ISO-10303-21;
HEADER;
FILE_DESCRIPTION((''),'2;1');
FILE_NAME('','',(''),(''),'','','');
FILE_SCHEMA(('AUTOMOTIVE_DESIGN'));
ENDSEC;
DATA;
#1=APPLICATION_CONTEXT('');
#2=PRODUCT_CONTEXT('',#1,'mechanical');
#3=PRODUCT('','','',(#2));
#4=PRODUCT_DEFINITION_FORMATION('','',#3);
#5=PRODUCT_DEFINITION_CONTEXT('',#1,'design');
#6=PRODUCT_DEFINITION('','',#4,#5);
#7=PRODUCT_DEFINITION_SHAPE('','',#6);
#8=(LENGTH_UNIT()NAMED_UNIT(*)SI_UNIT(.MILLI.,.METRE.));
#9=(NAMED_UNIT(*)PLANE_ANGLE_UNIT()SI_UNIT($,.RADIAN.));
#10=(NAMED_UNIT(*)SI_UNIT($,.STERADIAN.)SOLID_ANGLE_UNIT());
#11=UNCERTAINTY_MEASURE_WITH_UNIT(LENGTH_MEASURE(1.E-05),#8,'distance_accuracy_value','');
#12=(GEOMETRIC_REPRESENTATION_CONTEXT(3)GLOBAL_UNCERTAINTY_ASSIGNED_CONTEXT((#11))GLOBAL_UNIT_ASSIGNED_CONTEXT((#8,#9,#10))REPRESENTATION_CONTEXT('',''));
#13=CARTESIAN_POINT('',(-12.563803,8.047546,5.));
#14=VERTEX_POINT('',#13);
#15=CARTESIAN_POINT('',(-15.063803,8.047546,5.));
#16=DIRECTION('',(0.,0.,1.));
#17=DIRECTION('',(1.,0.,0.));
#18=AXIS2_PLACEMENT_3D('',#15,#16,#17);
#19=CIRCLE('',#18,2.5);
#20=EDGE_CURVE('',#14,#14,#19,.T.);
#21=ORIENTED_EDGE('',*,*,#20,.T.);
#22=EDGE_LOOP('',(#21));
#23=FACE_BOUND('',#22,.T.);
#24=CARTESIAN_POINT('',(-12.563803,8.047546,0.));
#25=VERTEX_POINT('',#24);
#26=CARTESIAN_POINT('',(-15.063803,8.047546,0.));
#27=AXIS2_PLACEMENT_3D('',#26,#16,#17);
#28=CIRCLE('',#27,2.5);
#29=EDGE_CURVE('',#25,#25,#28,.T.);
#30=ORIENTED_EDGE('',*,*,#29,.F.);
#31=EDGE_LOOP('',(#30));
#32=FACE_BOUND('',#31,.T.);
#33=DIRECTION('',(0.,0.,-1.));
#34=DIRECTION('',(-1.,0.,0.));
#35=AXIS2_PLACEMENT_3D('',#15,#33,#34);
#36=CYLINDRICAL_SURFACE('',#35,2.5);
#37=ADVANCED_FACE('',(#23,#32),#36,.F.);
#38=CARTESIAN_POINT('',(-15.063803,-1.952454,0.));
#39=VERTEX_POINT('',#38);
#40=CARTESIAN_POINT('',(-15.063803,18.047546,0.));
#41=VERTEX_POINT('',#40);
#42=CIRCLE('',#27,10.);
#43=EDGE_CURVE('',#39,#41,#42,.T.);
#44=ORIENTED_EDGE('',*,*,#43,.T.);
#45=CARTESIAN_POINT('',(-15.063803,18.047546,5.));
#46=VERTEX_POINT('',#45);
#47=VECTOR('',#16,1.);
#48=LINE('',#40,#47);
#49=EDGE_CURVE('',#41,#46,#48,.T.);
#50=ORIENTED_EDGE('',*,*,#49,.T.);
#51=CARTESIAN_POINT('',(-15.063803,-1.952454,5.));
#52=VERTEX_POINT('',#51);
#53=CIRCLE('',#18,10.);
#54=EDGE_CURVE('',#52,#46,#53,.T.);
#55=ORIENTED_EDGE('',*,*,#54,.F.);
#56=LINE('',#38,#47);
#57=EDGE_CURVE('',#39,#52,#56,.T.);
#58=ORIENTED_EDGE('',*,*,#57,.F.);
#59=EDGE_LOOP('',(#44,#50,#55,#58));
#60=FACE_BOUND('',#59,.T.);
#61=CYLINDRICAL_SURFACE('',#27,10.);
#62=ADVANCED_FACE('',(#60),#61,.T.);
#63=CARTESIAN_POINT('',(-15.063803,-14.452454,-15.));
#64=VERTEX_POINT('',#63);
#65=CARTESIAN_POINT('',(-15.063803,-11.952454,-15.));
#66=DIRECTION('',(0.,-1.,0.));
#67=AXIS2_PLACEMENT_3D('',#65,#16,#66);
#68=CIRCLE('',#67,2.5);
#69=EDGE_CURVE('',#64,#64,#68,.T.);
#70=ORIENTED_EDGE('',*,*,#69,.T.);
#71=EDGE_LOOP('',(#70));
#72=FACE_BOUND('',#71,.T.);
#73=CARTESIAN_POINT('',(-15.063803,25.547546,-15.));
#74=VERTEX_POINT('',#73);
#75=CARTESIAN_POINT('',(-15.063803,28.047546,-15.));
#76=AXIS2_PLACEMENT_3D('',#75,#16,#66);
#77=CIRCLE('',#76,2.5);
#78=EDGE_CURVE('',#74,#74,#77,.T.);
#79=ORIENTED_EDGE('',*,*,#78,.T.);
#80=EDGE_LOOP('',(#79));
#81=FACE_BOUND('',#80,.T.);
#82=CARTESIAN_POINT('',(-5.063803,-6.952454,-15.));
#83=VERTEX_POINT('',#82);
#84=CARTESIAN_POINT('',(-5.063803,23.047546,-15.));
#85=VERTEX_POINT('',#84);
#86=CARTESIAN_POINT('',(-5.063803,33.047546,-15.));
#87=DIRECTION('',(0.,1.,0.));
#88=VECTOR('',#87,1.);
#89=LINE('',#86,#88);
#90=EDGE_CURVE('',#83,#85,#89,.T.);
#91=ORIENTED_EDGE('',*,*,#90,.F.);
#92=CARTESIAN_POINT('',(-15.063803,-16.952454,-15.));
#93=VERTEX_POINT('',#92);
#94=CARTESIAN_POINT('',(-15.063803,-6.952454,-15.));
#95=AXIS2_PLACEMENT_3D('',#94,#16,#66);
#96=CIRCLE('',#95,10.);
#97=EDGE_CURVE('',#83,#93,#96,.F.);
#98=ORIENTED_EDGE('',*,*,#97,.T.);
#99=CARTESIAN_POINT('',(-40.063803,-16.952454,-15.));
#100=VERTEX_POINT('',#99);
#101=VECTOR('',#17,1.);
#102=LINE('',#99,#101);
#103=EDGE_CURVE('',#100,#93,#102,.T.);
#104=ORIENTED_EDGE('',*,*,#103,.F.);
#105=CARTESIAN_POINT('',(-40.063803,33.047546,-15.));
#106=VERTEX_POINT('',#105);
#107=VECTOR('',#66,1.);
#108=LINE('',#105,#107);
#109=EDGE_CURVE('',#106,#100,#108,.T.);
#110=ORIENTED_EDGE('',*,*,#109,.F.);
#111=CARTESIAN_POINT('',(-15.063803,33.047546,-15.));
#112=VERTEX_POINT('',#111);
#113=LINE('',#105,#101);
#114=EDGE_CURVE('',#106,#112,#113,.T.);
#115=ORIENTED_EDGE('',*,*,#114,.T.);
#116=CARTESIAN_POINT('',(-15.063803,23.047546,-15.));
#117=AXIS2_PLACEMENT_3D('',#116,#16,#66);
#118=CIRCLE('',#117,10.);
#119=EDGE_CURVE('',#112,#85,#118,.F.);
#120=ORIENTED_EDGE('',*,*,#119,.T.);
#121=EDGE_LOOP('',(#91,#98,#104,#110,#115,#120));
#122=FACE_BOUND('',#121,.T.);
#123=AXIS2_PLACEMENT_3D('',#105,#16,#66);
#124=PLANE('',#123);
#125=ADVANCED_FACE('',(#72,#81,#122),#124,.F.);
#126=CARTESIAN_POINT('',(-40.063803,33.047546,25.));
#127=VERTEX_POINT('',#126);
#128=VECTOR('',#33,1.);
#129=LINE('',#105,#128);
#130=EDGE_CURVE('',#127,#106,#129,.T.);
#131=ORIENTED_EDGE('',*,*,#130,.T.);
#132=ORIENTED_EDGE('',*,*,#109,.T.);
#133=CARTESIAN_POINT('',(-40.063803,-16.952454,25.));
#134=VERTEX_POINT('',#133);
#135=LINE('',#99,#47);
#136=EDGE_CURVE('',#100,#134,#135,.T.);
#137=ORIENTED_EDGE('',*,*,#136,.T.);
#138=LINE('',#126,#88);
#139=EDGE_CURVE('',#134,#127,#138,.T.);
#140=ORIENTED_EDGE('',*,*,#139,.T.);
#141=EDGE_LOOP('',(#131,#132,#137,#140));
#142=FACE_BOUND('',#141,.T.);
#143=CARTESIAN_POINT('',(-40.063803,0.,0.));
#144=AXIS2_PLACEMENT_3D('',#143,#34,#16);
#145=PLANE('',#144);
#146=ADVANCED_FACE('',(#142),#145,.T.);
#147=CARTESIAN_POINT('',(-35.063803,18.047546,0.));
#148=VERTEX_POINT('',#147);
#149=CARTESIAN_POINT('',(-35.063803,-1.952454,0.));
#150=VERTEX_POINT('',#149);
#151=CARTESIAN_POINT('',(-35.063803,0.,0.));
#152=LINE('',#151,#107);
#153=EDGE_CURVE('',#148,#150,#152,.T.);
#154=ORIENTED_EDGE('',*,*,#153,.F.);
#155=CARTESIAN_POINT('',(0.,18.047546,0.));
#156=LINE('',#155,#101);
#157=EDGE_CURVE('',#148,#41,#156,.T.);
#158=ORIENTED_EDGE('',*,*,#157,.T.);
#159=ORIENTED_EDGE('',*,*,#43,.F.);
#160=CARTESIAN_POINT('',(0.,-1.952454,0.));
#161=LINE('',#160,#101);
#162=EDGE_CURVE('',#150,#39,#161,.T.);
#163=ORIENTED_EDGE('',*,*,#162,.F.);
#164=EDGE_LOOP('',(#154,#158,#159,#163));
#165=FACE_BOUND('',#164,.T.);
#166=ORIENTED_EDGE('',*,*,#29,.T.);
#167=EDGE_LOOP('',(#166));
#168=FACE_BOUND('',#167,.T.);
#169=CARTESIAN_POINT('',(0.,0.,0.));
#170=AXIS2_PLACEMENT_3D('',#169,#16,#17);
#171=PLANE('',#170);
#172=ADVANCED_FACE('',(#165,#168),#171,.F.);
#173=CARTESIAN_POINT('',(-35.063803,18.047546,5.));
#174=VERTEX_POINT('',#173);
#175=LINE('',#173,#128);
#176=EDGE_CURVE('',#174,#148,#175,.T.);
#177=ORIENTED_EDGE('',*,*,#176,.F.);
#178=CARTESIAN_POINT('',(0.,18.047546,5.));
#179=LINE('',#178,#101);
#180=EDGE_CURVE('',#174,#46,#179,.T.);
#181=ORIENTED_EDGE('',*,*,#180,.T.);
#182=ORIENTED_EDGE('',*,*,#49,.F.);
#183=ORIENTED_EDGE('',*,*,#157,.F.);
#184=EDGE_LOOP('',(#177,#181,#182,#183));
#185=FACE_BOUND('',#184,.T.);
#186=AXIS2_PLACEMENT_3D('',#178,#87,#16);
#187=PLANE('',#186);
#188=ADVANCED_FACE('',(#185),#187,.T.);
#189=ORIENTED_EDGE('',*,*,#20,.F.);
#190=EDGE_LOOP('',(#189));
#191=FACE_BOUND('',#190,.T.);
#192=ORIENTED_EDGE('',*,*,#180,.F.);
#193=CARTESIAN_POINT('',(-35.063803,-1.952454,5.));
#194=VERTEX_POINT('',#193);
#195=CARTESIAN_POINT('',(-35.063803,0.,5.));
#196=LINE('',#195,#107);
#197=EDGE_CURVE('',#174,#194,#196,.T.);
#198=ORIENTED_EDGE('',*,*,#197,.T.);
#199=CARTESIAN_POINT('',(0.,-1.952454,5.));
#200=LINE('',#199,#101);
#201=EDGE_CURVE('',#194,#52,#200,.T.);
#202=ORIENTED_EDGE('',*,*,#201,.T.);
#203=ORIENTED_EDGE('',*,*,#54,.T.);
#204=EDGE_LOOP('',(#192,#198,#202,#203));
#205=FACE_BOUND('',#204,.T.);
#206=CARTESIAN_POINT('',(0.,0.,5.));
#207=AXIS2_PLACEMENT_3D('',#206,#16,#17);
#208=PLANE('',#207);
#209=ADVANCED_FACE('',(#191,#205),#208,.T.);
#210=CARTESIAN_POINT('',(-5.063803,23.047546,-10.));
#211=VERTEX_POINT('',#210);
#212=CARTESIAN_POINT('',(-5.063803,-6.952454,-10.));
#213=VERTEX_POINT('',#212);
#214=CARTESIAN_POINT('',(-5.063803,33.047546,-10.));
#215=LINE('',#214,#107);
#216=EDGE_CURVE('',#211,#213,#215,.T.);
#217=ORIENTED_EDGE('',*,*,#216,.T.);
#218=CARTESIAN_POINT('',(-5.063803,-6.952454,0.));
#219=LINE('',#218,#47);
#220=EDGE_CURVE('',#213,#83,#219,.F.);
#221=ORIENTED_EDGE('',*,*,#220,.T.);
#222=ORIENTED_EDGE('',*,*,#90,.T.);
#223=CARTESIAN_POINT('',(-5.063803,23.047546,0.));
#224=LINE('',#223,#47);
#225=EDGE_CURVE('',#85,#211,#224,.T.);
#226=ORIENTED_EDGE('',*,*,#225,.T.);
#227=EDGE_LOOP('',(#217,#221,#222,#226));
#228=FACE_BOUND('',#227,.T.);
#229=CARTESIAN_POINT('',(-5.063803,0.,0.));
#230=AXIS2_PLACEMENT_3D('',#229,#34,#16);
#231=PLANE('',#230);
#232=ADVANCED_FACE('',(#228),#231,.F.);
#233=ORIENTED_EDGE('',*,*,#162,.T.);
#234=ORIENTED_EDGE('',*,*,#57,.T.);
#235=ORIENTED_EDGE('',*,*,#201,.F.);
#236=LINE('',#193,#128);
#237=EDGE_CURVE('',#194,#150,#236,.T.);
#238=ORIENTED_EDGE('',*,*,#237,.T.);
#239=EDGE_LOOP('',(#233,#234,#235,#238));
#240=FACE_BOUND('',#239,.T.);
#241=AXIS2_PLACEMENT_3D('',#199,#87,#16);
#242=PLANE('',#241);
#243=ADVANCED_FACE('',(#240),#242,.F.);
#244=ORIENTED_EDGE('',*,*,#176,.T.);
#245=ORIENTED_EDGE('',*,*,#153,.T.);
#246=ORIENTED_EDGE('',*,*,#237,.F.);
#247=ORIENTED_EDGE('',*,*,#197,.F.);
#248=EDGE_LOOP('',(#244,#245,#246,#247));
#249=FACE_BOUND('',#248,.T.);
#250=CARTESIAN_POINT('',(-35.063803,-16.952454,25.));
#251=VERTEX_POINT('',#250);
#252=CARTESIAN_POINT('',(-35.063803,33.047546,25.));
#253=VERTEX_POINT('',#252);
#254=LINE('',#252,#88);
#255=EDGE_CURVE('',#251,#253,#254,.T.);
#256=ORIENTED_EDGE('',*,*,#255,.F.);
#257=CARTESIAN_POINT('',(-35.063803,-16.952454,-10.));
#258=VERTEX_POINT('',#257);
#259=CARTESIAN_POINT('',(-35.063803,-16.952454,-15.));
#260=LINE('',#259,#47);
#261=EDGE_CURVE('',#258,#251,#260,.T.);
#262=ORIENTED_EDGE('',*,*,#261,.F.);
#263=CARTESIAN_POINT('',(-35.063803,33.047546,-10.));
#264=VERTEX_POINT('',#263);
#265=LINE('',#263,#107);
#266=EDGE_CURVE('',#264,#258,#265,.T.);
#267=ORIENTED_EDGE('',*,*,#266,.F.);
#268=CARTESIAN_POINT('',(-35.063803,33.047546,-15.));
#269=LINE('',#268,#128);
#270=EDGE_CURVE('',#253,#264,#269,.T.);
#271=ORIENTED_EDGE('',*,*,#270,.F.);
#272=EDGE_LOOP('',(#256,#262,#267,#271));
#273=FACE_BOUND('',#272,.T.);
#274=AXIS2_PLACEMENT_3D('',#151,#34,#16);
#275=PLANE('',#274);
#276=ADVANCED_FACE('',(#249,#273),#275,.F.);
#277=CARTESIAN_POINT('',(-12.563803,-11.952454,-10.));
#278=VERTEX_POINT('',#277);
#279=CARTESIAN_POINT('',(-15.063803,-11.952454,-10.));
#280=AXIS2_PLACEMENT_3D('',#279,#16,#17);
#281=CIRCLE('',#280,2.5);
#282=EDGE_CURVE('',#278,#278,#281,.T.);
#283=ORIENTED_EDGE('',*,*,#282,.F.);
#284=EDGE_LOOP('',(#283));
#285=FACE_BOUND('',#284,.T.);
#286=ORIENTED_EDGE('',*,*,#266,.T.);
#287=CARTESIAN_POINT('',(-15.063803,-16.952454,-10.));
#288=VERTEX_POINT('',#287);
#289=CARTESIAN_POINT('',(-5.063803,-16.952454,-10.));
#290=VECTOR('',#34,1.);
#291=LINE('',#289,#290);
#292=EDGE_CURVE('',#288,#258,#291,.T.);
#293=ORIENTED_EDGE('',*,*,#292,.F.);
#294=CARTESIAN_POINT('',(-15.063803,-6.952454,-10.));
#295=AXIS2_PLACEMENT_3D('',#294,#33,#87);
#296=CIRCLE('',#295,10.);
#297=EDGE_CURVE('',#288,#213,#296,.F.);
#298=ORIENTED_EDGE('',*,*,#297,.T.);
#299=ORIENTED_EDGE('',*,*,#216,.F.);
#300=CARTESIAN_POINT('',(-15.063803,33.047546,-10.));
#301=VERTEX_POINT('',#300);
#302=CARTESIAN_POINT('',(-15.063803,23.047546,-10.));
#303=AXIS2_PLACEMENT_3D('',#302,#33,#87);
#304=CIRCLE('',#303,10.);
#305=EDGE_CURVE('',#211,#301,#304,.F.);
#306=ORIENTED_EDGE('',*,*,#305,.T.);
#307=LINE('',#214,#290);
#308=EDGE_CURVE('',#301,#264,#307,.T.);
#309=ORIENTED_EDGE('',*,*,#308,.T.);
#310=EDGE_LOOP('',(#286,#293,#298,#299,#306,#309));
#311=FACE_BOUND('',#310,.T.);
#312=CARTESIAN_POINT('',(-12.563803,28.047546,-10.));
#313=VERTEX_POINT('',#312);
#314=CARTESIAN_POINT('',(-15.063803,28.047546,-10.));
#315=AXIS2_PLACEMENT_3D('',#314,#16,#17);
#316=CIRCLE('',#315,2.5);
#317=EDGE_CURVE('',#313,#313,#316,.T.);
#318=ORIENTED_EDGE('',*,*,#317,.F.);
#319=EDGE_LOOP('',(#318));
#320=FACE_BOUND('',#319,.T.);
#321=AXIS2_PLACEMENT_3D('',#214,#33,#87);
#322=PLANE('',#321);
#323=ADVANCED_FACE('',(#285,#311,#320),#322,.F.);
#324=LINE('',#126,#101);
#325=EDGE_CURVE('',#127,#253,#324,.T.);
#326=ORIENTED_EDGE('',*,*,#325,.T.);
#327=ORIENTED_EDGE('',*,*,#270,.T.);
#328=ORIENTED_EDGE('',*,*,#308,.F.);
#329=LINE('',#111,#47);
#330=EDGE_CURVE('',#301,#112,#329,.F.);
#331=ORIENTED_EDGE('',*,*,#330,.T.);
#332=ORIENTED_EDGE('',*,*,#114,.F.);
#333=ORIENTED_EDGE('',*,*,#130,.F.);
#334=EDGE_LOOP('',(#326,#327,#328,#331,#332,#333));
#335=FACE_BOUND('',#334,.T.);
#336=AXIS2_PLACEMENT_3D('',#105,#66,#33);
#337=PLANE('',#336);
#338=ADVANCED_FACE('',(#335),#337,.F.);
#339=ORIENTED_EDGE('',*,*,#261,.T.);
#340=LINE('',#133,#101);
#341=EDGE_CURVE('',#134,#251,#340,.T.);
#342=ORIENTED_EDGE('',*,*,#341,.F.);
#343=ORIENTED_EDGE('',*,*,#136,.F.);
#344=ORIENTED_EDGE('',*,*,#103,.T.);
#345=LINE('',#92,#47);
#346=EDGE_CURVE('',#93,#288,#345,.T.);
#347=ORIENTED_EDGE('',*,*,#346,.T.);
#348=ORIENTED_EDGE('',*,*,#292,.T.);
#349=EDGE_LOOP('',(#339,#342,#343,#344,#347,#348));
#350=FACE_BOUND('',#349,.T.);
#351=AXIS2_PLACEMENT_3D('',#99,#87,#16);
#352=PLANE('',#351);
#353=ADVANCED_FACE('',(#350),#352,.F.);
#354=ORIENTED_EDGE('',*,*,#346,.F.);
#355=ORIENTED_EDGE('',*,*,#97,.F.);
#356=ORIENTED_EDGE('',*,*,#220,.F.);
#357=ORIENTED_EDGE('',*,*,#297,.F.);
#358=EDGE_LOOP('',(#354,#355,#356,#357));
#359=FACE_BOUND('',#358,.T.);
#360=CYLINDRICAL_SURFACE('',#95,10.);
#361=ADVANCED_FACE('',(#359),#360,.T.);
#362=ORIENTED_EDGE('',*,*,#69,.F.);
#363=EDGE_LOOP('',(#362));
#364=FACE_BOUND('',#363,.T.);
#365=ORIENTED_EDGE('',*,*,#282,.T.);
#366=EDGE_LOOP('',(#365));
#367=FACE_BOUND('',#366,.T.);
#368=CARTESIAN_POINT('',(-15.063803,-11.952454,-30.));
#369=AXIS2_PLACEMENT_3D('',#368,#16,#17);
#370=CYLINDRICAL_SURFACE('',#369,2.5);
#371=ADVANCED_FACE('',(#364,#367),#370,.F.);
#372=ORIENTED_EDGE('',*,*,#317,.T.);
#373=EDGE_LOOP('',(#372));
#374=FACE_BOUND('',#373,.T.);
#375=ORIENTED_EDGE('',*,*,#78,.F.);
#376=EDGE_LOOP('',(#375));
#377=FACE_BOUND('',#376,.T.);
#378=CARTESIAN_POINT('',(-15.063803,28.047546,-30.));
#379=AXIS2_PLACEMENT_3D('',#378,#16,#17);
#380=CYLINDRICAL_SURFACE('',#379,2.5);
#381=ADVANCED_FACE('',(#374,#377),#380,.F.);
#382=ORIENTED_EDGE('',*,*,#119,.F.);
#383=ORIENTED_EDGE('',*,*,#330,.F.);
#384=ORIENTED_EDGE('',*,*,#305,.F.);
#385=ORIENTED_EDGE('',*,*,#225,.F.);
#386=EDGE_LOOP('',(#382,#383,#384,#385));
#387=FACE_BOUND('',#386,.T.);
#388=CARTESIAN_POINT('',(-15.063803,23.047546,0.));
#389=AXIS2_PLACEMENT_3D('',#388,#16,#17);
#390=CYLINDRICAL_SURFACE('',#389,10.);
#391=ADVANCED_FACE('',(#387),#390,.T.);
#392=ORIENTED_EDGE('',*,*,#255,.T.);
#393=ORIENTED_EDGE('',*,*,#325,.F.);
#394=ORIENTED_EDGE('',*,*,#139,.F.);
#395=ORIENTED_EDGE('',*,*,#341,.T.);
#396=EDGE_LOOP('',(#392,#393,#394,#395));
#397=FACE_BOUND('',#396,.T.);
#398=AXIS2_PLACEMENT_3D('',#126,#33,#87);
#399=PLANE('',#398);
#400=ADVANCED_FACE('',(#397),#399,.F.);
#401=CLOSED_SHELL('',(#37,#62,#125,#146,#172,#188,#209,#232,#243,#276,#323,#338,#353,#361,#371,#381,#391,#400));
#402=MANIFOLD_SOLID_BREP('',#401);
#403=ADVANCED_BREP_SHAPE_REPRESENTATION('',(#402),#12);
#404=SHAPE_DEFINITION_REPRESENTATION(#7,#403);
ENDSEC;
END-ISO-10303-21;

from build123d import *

# Parameters (mm, degrees)
SKETCH1_R           = 2.5
BOSS_EXTRUDE1_DEPTH = 5
CUT_EXTRUDE1_DEPTH  = 5
SKETCH3_W           = 40
SKETCH3_H           = 50
BOSS_EXTRUDE2_DEPTH = 5
SKETCH4_W           = 5
SKETCH4_H           = 50
BOSS_EXTRUDE3_DEPTH = 30
SKETCH5_R           = 2.5
CUT_EXTRUDE2_DEPTH  = 20
FILLET1_R           = 10
FILLET2_R           = 10


with BuildPart() as part:
    # Sketch1 → Boss-Extrude1 (new body)
    with BuildSketch(Plane.XY):
        Polygon((-5.063803349, -1.952454159), (-5.063803349, 8.047545841), (-5.063803349, 18.047545841), (-35.063803349, 18.047545841), (-35.063803349, -1.952454159), align=None)
        with Locations((-15.063803349, 8.047545841)):
            Circle(SKETCH1_R, mode=Mode.SUBTRACT)
    extrude(amount=BOSS_EXTRUDE1_DEPTH)

    # Sketch2 → Cut-Extrude1 (cut)
    with BuildSketch(Plane.XY.offset(5)):
        with BuildLine():
            ThreePointArc((-15.063803349, 18.047545841), (-7.992735537, 15.118613653), (-5.063803349, 8.047545841))
            Line((-5.063803349, 8.047545841), (-5.063803349, 18.047545841))
            Line((-5.063803349, 18.047545841), (-15.063803349, 18.047545841))
        make_face()
        with BuildLine():
            Line((-5.063803349, -1.952454159), (-5.063803349, 8.047545841))
            ThreePointArc((-5.063803349, 8.047545841), (-7.992735537, 0.976478029), (-15.063803349, -1.952454159))
            Line((-15.063803349, -1.952454159), (-5.063803349, -1.952454159))
        make_face()
    extrude(amount=-CUT_EXTRUDE1_DEPTH, mode=Mode.SUBTRACT)

    # Sketch3 → Boss-Extrude2 (add)
    with BuildSketch(Plane.ZY.offset(35.063803349)):
        with Locations((5, 8.047545841)):
            Rectangle(SKETCH3_W, SKETCH3_H)
    extrude(amount=BOSS_EXTRUDE2_DEPTH)

    # Sketch4 → Boss-Extrude3 (add)
    with BuildSketch(Plane(origin=(-35.063803349, 0, 0), x_dir=(0, 0, -1), z_dir=(1, 0, 0))):
        with Locations((12.5, 8.047545841)):
            Rectangle(SKETCH4_W, SKETCH4_H)
    extrude(amount=BOSS_EXTRUDE3_DEPTH)

    # Sketch5 → Cut-Extrude2 (cut)
    with BuildSketch(Plane.XY.offset(-10)):
        with Locations((-15.063803349, 28.047545841)):
            Circle(SKETCH5_R)
        with Locations((-15.063803349, -11.952454159)):
            Circle(SKETCH5_R)
    extrude(amount=-CUT_EXTRUDE2_DEPTH, mode=Mode.SUBTRACT)

    # Fillet1
    fillet1_edges = [part.edges().sort_by_distance(p)[0] for p in [
        (-5.063803349, 33.047545841, -12.5),
    ]]
    fillet(fillet1_edges, radius=FILLET1_R)

    # Fillet2
    fillet2_edges = [part.edges().sort_by_distance(p)[0] for p in [
        (-5.063803349, -16.952454159, -12.5),
    ]]
    fillet(fillet2_edges, radius=FILLET2_R)


solid = part.part
